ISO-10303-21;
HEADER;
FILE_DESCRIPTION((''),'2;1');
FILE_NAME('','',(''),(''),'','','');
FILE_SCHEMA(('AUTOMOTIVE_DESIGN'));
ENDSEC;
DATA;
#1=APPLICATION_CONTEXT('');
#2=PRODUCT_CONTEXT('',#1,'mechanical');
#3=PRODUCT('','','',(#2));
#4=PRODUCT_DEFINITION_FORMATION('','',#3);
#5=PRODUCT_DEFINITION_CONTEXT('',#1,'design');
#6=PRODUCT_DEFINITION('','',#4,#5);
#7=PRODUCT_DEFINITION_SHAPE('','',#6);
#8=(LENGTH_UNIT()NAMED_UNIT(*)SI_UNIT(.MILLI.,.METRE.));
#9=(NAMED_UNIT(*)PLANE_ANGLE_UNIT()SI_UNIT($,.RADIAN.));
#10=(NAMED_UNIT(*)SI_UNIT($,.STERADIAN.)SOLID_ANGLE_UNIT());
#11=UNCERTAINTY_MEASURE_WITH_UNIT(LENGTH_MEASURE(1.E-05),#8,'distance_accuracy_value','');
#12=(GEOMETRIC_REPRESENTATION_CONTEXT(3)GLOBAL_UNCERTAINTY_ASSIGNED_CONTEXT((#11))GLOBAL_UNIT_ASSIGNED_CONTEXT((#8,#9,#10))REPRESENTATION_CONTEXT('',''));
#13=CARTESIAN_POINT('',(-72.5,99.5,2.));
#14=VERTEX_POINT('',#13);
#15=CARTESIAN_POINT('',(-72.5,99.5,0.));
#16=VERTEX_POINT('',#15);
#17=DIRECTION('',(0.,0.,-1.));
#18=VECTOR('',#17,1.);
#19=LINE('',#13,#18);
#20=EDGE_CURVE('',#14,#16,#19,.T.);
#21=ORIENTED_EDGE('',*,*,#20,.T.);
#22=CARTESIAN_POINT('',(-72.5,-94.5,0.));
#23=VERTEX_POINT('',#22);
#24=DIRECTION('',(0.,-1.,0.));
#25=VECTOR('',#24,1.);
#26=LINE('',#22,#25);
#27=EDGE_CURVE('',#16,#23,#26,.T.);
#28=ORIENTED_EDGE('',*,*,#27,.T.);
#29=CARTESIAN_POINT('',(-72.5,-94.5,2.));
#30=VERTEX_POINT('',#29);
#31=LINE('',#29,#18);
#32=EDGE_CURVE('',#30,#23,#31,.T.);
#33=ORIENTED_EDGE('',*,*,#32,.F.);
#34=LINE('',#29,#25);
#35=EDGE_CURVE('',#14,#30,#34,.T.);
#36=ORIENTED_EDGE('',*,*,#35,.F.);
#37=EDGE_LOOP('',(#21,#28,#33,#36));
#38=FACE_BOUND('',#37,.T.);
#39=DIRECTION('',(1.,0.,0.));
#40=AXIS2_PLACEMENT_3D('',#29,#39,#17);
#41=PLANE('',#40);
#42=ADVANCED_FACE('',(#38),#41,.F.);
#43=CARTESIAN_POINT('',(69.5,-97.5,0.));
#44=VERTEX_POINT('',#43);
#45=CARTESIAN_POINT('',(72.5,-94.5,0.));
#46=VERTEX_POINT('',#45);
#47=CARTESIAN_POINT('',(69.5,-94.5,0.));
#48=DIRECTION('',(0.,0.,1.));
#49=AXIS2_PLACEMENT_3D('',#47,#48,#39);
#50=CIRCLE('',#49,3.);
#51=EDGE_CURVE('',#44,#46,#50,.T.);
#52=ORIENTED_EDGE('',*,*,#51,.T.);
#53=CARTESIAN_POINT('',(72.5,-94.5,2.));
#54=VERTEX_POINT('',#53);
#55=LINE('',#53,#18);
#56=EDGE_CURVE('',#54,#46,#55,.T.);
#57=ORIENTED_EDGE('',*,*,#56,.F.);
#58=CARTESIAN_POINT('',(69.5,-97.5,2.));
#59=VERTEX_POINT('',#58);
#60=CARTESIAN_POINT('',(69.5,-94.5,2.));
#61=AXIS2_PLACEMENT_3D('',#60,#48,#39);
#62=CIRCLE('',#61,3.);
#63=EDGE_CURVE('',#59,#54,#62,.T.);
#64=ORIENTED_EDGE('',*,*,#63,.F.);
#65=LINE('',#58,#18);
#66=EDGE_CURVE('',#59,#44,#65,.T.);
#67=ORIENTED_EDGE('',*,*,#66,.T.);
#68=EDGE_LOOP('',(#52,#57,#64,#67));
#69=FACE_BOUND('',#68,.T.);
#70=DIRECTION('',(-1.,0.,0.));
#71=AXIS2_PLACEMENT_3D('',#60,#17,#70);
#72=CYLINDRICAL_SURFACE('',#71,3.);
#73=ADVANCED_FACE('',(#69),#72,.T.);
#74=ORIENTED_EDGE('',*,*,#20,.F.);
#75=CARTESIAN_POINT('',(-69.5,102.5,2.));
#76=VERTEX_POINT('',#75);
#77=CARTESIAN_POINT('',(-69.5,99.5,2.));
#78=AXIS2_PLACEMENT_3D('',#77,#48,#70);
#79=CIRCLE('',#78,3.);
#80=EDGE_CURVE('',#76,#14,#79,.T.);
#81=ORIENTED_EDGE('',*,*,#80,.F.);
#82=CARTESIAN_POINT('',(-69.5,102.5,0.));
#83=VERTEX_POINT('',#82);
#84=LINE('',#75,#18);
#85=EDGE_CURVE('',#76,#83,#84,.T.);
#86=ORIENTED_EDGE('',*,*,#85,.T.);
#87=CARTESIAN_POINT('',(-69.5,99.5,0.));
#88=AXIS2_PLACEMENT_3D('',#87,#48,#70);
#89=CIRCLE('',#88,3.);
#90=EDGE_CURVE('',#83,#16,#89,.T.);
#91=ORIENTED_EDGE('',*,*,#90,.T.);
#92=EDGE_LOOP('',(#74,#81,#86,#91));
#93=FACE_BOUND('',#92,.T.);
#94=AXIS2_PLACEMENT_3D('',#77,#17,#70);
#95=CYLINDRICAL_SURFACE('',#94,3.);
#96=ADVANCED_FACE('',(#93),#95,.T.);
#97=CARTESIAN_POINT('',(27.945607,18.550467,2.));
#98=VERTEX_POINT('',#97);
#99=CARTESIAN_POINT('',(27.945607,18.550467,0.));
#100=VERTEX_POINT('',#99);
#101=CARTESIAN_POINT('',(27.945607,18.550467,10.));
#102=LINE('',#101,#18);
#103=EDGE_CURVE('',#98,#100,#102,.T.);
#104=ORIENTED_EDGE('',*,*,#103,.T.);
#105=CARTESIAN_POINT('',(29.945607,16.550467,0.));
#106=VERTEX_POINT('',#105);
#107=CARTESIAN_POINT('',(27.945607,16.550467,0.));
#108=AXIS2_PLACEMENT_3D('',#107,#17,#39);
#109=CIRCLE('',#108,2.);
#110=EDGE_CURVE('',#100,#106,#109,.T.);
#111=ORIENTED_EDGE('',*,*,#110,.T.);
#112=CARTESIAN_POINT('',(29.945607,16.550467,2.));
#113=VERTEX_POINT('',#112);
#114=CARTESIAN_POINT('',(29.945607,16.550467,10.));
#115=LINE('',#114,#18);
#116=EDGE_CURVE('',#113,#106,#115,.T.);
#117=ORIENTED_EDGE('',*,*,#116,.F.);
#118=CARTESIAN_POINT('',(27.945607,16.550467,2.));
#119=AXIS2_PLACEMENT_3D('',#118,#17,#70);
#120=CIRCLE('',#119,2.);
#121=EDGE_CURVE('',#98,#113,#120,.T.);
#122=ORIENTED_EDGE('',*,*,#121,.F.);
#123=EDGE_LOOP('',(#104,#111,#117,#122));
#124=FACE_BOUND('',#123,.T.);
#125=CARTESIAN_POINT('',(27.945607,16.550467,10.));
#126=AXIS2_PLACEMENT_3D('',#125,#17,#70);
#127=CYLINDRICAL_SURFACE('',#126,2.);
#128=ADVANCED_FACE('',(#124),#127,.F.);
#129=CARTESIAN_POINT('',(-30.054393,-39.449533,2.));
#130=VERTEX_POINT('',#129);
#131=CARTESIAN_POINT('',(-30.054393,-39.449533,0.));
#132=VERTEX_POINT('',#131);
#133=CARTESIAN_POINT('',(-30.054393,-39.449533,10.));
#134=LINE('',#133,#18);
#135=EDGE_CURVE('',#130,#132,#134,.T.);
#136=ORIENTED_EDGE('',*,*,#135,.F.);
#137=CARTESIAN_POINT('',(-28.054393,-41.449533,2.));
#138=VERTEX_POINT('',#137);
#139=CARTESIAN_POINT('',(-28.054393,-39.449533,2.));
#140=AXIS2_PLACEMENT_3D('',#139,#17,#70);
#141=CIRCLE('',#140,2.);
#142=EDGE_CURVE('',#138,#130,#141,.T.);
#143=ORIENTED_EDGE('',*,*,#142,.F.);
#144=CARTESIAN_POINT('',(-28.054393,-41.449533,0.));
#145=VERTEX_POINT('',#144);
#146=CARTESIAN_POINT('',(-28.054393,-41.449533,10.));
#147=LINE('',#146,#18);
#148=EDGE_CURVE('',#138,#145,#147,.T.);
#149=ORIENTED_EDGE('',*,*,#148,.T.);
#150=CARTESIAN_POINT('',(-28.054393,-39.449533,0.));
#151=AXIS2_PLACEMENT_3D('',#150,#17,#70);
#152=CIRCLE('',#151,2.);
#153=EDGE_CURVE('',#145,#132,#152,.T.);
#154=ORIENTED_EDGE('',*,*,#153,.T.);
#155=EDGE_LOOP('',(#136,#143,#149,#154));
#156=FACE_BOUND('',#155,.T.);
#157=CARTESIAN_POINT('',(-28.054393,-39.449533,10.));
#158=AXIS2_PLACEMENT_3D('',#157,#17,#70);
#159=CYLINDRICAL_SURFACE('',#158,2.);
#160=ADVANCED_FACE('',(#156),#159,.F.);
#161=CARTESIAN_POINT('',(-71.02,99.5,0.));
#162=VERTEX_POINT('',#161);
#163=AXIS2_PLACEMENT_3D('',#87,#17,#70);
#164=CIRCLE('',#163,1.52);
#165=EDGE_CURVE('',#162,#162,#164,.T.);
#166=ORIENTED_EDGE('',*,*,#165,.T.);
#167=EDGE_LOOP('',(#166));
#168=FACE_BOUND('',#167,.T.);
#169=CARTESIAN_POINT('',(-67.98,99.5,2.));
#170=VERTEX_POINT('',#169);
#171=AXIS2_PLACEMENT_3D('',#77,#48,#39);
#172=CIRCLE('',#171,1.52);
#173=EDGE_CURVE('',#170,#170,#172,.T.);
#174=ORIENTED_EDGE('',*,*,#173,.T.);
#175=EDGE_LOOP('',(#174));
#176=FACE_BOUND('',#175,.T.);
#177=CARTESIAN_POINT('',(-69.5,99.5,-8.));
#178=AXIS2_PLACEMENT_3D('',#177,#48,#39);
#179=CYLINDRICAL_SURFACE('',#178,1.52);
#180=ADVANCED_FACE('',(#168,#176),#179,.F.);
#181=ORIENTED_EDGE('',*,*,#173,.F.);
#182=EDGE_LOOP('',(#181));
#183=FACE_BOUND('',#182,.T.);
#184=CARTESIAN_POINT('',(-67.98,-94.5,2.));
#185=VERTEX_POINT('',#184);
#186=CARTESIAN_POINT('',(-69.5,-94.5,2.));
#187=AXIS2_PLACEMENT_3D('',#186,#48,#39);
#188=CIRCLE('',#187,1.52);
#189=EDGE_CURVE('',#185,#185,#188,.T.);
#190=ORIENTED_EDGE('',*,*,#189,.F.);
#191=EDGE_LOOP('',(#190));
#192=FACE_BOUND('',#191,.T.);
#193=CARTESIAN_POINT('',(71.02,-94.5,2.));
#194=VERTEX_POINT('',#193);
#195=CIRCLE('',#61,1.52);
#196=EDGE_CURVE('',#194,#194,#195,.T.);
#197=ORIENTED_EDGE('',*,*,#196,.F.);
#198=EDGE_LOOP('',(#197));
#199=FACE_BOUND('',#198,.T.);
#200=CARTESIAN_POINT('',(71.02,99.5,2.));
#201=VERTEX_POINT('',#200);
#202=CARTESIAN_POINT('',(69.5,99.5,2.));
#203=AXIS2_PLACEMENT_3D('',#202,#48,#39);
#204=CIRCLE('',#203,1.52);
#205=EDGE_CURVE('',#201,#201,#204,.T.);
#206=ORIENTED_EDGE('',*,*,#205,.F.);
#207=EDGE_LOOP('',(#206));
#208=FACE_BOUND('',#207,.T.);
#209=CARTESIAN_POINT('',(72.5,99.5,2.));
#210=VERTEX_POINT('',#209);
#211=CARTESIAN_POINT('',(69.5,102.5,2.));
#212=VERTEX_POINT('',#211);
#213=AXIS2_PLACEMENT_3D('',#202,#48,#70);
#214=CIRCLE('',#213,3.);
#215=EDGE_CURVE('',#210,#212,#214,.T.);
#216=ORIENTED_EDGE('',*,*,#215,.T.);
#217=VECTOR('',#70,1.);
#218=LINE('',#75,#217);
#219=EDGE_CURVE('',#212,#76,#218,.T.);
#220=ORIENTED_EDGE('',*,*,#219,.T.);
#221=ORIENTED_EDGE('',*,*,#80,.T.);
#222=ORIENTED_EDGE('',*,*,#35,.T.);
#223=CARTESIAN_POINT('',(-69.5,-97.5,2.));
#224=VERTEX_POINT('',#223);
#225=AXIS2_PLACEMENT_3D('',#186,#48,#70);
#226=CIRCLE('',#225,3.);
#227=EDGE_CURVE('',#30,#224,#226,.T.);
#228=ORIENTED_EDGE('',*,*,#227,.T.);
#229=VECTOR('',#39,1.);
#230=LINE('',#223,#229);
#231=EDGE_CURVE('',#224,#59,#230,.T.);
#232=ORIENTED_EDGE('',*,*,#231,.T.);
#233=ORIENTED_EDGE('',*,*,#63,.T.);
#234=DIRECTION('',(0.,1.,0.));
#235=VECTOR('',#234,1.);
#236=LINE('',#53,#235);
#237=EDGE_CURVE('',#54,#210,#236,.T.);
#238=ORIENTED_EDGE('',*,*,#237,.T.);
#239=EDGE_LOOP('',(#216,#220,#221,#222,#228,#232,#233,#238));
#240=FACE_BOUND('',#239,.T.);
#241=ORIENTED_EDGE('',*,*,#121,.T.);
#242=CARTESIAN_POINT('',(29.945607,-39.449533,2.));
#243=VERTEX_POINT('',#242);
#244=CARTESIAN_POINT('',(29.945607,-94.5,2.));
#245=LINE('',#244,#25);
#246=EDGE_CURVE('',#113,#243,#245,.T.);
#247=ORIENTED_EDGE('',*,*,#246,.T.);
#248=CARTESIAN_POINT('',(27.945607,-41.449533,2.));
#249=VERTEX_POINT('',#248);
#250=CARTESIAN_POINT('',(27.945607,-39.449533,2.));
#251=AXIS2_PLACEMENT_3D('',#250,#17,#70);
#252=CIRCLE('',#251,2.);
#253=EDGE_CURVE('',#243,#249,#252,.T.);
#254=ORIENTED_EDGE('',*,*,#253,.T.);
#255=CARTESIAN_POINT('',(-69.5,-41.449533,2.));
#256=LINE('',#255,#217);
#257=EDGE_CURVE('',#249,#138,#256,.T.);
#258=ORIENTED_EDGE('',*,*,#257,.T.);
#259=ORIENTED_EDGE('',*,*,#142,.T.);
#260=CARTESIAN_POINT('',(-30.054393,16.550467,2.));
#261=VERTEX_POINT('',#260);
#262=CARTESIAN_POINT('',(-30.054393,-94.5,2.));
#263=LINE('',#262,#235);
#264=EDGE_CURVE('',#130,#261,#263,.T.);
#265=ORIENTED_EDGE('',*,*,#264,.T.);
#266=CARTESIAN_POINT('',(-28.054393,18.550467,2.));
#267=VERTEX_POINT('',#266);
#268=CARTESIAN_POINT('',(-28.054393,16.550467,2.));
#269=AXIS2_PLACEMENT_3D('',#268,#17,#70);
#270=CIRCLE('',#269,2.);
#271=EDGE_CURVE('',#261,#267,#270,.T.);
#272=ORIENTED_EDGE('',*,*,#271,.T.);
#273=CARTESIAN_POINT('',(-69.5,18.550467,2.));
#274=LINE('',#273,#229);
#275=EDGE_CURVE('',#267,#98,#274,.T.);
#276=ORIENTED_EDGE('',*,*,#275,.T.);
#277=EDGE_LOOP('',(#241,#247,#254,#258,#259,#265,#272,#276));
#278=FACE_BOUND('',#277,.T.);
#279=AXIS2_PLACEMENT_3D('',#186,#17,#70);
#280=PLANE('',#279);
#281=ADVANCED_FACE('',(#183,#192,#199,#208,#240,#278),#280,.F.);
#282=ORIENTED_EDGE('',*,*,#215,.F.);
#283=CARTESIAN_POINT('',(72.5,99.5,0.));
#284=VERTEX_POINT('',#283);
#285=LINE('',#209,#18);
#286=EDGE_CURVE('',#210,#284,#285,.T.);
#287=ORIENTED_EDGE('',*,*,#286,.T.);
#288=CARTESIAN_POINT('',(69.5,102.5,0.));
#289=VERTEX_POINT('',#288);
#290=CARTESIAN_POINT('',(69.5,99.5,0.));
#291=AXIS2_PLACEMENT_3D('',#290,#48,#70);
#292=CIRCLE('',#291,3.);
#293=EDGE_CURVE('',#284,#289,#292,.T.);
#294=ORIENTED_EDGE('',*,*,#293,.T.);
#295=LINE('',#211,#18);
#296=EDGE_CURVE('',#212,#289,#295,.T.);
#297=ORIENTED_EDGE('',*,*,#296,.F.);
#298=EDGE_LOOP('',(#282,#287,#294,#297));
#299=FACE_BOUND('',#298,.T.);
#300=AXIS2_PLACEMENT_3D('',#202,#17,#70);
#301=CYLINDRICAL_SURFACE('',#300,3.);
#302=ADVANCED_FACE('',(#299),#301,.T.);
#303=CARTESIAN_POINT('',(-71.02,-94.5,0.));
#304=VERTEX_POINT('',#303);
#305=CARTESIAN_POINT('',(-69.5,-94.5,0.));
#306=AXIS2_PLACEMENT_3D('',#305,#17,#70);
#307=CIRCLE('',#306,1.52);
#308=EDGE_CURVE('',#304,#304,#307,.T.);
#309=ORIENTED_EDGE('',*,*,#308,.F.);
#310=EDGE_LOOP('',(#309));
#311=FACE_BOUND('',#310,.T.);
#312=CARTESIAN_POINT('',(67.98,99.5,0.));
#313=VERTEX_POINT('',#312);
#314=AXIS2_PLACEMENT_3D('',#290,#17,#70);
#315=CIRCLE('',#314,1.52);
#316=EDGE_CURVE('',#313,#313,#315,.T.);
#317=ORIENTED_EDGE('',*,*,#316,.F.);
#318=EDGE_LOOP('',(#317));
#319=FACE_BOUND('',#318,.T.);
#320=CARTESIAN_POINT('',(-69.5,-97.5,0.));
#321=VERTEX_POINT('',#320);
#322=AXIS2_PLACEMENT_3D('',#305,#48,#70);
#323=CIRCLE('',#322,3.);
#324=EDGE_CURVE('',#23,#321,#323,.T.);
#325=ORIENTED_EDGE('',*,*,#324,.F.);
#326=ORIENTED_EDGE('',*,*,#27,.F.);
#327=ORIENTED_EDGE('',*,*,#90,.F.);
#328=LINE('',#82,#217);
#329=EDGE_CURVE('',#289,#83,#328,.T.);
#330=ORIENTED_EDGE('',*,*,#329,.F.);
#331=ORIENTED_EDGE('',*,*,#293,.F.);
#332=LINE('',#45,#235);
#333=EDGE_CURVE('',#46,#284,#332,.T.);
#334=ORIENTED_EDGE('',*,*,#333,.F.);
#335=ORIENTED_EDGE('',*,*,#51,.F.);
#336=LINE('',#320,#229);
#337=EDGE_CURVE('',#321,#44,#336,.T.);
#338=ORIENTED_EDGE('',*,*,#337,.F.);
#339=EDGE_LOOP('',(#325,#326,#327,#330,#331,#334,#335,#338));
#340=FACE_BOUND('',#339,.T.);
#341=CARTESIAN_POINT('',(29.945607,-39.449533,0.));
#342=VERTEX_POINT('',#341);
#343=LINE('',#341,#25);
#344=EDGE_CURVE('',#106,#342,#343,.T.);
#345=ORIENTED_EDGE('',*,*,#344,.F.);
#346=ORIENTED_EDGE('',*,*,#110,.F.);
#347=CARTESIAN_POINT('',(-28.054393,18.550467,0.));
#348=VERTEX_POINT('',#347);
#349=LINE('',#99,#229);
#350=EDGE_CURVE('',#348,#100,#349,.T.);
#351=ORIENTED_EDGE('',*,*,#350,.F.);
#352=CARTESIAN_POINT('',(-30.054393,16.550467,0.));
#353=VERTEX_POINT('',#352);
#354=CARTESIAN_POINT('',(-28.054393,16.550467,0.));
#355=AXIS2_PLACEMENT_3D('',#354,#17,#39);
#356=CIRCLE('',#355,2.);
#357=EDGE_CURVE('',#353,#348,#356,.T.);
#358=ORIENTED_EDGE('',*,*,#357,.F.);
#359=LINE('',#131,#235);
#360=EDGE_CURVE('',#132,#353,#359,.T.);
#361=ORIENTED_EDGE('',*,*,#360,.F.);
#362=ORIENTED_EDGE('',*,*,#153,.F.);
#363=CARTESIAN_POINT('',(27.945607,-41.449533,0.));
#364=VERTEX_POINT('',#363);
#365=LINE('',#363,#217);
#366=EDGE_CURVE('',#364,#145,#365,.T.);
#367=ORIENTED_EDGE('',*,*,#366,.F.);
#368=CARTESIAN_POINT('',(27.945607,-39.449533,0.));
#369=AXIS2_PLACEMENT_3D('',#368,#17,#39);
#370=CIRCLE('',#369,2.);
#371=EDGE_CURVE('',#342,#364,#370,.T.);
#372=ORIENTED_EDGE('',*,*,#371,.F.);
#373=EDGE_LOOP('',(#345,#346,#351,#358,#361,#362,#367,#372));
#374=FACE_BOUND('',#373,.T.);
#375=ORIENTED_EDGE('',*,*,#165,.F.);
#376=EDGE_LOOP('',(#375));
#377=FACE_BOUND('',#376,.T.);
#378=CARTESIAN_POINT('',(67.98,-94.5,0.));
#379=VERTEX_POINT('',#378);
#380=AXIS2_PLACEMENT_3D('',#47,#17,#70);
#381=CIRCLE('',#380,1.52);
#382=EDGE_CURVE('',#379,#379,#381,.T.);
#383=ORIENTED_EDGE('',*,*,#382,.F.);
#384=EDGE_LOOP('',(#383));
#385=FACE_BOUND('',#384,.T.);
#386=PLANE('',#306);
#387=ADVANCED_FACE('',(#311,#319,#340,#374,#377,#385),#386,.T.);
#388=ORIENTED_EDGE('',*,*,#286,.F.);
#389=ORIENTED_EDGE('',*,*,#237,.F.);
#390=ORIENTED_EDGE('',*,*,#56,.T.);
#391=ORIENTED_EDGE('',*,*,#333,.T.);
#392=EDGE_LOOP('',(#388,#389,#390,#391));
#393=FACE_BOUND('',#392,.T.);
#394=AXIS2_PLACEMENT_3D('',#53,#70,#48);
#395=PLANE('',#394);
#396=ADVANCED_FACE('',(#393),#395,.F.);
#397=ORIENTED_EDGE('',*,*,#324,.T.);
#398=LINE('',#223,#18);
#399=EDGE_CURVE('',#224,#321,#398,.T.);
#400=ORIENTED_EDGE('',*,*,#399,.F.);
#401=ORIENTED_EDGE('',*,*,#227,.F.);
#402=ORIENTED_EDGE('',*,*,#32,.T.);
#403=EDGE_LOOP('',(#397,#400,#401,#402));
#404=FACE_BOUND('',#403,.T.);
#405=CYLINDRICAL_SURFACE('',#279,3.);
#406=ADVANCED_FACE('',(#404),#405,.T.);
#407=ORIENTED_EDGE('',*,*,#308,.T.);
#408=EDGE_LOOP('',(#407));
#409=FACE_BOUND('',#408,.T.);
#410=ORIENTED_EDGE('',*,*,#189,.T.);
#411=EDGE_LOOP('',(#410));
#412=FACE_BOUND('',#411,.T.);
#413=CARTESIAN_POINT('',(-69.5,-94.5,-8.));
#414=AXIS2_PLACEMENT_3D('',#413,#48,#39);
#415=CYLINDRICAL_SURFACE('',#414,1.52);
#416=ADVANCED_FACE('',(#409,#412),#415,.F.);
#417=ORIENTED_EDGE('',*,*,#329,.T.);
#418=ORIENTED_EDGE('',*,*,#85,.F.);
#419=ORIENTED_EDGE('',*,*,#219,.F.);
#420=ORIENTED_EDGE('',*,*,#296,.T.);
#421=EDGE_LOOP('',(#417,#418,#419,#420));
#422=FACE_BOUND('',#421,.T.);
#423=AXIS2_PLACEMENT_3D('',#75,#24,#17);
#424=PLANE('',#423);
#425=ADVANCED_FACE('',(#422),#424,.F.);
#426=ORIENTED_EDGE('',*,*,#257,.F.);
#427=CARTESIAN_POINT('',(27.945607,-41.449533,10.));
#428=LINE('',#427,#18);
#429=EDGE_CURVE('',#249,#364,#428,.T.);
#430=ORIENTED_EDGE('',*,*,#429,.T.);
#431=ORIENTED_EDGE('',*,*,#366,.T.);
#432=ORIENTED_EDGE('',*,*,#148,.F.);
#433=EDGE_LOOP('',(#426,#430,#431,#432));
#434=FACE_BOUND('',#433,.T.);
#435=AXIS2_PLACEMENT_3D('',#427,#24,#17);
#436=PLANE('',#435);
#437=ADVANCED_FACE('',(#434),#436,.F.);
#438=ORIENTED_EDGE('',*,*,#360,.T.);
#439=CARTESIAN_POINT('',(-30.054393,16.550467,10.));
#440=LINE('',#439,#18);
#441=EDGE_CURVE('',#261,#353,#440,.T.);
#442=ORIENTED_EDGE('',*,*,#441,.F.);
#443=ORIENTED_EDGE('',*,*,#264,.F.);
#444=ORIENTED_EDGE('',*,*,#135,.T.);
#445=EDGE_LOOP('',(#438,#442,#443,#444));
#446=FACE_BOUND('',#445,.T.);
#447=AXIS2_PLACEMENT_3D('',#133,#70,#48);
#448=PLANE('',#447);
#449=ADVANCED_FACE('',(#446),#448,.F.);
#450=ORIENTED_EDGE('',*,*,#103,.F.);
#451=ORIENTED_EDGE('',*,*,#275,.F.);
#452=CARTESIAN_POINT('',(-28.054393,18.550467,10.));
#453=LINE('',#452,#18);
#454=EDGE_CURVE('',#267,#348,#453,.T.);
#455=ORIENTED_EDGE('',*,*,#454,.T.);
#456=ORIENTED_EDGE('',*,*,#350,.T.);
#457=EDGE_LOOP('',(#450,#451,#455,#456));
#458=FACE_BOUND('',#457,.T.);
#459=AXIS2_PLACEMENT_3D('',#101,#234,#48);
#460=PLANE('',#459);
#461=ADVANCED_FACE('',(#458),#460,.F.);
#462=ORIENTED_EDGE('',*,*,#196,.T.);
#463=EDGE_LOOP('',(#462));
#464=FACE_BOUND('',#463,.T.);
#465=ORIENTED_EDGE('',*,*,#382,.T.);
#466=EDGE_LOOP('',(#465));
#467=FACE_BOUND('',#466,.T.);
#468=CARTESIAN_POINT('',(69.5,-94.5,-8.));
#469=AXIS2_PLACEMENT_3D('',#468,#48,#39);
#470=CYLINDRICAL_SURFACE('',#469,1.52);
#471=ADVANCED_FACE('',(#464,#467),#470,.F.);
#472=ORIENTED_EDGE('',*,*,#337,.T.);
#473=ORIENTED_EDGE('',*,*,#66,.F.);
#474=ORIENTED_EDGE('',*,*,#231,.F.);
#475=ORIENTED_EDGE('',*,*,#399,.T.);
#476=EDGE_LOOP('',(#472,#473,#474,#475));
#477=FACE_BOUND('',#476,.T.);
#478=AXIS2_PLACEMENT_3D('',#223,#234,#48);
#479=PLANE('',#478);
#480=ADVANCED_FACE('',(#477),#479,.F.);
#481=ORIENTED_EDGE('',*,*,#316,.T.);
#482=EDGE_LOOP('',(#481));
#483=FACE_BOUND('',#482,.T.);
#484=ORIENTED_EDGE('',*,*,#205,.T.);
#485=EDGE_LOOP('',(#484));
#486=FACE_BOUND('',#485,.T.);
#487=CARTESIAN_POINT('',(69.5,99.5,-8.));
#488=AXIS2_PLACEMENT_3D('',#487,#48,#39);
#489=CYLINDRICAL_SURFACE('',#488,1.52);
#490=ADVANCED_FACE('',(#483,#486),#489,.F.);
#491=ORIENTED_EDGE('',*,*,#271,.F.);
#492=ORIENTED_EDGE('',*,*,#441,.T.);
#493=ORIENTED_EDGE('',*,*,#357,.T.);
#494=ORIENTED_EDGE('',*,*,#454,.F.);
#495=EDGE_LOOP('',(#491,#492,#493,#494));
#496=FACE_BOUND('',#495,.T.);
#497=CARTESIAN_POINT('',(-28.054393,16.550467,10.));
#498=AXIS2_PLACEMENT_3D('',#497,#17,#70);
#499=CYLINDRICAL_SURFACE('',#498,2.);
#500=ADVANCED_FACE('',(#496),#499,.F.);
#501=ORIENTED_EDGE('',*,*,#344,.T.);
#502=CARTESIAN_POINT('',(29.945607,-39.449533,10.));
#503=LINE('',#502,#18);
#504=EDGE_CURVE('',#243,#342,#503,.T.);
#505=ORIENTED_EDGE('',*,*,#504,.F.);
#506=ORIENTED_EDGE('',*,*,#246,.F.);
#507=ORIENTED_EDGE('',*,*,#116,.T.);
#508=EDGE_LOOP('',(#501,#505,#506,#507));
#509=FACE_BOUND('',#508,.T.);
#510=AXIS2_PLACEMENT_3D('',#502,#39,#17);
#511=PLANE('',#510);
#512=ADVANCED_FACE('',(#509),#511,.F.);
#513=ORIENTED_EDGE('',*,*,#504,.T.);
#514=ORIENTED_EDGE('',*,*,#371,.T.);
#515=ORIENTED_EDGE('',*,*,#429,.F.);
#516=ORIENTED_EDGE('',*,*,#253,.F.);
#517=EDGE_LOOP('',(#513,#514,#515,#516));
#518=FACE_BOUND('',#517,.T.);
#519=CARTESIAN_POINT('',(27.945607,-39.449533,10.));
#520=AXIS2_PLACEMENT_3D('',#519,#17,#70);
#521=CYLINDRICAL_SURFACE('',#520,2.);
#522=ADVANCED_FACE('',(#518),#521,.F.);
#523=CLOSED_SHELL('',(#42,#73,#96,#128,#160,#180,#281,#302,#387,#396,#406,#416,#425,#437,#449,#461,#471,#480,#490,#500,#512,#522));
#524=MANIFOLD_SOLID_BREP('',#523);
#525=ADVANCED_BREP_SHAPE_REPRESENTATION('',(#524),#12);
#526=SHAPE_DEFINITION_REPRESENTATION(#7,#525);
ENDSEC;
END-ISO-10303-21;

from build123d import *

# Parameters (mm, degrees)
BOSS_EXTRU_1_DEPTH      = 2
ENL_V_MAT_EXTRU_1_DEPTH = 10
ESQUISSE3_R             = 1.52
ENL_V_MAT_EXTRU_2_DEPTH = 10


with BuildPart() as part:
    # Esquisse1 → Boss.-Extru.1 (new body)
    with BuildSketch(Plane.XY):
        with BuildLine():
            Line((-69.5, -97.5), (69.5, -97.5))
            ThreePointArc((69.5, -97.5), (71.621320344, -96.621320344), (72.5, -94.5))
            Line((72.5, -94.5), (72.5, 99.5))
            ThreePointArc((72.5, 99.5), (71.621320344, 101.621320344), (69.5, 102.5))
            Line((69.5, 102.5), (-69.5, 102.5))
            ThreePointArc((-69.5, 102.5), (-71.621320344, 101.621320344), (-72.5, 99.5))
            Line((-72.5, 99.5), (-72.5, -94.5))
            ThreePointArc((-72.5, -94.5), (-71.621320344, -96.621320344), (-69.5, -97.5))
        make_face()
    extrude(amount=BOSS_EXTRU_1_DEPTH)

    # Esquisse2 → Enlèv. mat.-Extru.1 (cut)
    with BuildSketch(Plane(origin=(0, 0, 0), x_dir=(-1, 0, 0), z_dir=(0, 0, -1))):
        with BuildLine():
            Line((-27.945607011, -41.449532586), (28.054392989, -41.449532586))
            ThreePointArc((28.054392989, -41.449532586), (29.468606552, -40.863746148), (30.054392989, -39.449532586))
            Line((30.054392989, -39.449532586), (30.054392989, 16.550467414))
            ThreePointArc((30.054392989, 16.550467414), (29.468606552, 17.964680976), (28.054392989, 18.550467414))
            Line((28.054392989, 18.550467414), (-27.945607011, 18.550467414))
            ThreePointArc((-27.945607011, 18.550467414), (-29.359820573, 17.964680976), (-29.945607011, 16.550467414))
            Line((-29.945607011, 16.550467414), (-29.945607011, -39.449532586))
            ThreePointArc((-29.945607011, -39.449532586), (-29.359820573, -40.863746148), (-27.945607011, -41.449532586))
        make_face()
    extrude(amount=-ENL_V_MAT_EXTRU_1_DEPTH, mode=Mode.SUBTRACT)

    # Esquisse3 → Enlèv. mat.-Extru.2 (cut)
    with BuildSketch(Plane.XY.offset(2)):
        with Locations((69.5, 99.5)):
            Circle(ESQUISSE3_R)
        with Locations((-69.5, 99.5)):
            Circle(ESQUISSE3_R)
        with Locations((-69.5, -94.5)):
            Circle(ESQUISSE3_R)
        with Locations((69.5, -94.5)):
            Circle(ESQUISSE3_R)
    extrude(amount=-ENL_V_MAT_EXTRU_2_DEPTH, mode=Mode.SUBTRACT)


solid = part.part
